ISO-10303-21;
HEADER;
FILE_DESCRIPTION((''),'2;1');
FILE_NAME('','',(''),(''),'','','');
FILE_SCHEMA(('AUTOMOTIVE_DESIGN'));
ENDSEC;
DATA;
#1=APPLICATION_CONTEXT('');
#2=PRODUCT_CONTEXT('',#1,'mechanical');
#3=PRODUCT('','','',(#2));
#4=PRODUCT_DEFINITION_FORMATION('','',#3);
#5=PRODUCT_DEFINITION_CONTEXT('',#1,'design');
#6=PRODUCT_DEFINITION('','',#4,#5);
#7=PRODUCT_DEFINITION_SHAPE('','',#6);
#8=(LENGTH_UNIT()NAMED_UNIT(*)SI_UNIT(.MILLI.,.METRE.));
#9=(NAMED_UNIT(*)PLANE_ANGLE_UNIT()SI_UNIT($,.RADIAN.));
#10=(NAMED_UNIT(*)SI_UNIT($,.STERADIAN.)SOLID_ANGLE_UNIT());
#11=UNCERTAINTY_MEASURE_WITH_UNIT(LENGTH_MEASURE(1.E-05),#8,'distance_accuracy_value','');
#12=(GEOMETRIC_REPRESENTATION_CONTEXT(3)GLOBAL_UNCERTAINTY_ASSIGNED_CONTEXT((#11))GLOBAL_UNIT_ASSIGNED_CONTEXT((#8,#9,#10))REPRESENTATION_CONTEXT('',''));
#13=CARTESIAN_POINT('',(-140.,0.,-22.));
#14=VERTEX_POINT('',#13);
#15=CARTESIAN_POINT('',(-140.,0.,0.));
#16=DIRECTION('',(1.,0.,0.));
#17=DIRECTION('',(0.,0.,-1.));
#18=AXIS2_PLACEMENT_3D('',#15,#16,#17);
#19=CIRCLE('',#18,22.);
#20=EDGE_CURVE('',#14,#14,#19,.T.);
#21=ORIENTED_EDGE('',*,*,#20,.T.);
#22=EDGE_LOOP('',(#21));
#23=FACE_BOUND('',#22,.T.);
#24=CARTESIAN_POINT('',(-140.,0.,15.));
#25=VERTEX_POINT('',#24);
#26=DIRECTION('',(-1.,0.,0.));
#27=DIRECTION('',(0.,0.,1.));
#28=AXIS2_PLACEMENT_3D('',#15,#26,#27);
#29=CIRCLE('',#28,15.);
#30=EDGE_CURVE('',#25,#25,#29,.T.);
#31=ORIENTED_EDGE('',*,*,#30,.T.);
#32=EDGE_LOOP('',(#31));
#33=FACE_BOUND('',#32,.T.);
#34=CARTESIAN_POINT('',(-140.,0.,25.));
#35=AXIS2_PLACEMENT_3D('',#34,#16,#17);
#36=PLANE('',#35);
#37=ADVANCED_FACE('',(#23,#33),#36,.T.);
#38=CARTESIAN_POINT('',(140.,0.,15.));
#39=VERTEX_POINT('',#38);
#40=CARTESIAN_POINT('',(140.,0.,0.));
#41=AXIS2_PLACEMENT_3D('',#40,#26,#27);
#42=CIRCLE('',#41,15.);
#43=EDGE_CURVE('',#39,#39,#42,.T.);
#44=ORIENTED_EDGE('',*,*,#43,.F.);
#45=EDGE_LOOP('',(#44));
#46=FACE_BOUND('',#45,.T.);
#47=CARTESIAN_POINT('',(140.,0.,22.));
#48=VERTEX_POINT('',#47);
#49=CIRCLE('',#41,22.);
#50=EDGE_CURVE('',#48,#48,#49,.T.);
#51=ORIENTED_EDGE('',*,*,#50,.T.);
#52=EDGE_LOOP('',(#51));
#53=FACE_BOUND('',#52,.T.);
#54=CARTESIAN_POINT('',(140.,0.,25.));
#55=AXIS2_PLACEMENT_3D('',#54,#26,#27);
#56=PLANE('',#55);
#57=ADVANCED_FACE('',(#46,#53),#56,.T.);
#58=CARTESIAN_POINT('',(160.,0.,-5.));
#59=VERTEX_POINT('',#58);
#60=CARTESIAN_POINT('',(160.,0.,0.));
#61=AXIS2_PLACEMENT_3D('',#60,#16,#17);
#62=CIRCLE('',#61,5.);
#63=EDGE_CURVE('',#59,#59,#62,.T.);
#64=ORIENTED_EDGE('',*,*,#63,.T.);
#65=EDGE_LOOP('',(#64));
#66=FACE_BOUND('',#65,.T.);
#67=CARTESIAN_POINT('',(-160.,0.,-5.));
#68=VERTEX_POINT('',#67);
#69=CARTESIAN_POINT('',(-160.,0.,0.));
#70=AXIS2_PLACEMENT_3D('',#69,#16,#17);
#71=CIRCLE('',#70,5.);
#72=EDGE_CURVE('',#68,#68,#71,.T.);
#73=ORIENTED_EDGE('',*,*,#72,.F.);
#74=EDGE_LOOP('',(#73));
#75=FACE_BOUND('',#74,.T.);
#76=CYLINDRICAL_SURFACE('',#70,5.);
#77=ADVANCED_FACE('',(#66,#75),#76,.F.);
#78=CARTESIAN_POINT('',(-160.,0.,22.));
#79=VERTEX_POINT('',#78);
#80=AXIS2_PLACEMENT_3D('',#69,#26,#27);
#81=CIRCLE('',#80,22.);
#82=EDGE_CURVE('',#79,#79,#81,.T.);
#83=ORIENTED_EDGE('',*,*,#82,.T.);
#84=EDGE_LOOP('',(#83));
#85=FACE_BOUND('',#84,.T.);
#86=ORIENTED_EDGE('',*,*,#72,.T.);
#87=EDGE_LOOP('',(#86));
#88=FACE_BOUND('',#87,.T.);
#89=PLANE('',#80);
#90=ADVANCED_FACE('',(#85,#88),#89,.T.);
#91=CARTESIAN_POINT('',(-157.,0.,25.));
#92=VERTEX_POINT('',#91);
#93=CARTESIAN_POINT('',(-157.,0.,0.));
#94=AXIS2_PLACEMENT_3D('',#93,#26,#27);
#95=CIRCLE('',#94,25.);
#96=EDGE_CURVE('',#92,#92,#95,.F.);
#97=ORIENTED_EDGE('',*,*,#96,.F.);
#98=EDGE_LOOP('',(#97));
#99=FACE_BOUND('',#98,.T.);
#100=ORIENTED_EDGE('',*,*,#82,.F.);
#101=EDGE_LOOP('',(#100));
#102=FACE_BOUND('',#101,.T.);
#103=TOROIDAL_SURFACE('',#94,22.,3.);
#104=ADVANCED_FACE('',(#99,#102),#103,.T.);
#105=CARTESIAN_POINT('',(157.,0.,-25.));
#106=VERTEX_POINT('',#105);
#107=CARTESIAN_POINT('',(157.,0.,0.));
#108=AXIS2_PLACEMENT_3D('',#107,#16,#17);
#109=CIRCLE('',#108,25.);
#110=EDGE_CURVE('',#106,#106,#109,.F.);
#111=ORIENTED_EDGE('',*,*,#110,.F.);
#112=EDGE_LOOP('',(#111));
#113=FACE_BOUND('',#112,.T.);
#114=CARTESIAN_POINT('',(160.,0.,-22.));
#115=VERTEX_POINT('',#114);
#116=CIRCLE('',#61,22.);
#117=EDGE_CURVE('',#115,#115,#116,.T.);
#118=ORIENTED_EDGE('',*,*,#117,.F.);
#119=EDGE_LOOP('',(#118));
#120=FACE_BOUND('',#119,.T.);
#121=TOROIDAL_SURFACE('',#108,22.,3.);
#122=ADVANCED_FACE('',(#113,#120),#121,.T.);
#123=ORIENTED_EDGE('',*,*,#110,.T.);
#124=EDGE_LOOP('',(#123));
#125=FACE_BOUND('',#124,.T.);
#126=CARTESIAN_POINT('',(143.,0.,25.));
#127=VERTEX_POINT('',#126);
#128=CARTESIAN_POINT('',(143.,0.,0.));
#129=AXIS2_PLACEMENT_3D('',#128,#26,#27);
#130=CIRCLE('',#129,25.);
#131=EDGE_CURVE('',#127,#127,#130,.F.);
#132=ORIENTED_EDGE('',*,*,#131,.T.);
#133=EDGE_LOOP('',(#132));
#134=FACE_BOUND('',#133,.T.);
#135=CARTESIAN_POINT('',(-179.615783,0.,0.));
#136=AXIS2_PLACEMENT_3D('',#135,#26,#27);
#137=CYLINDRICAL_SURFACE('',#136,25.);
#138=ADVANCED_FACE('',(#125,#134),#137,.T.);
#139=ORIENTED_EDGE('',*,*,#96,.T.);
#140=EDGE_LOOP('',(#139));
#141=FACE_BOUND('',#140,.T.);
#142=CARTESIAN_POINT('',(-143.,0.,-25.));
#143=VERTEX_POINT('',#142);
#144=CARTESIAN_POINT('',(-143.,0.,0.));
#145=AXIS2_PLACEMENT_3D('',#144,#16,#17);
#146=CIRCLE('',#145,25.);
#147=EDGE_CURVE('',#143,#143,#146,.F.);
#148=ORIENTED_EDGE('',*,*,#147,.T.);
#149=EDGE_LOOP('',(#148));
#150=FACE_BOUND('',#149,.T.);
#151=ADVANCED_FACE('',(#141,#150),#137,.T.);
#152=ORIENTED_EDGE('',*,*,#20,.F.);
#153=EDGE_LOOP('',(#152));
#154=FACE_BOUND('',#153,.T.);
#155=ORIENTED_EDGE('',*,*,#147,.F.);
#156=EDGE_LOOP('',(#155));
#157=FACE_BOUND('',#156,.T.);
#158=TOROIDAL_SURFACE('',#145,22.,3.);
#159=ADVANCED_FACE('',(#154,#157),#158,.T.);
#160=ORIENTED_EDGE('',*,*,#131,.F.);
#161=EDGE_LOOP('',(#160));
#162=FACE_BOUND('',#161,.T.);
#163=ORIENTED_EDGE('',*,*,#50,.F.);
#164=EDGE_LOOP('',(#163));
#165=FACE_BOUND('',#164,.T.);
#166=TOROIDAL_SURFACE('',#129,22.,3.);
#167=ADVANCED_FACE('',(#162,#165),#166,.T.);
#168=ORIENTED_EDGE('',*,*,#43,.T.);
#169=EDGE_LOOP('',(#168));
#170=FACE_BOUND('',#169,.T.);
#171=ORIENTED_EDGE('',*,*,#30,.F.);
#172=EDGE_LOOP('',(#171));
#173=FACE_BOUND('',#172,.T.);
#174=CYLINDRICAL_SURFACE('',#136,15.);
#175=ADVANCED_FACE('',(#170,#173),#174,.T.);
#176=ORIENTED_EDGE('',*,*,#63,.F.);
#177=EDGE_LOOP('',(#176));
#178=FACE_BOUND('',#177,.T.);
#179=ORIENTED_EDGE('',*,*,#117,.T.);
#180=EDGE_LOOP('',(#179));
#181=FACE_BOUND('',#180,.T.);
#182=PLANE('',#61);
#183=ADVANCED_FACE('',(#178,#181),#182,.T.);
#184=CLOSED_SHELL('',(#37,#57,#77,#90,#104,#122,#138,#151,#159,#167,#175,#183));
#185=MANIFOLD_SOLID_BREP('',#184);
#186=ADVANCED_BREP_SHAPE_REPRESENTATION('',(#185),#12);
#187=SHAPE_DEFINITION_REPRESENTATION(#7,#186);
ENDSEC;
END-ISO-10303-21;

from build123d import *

# Parameters (mm, degrees)
FILLET1_R          = 3
SKETCH3_R          = 5
CUT_EXTRUDE1_DEPTH = 322.947200755


with BuildPart() as part:
    # Sketch2 → Revolve1 (revolve)
    with BuildSketch(Plane(origin=(0, 0, 0), x_dir=(1, 0, 0), z_dir=(0, 1, 0))):
        Polygon((-160, 0), (160, 0), (160, -25), (140, -25), (140, -15), (-140, -15), (-140, -25), (-160, -25), align=None)
    revolve(axis=Axis((-179.615783414, 0, 0), (1, 0, 0)))

    # Fillet1
    fillet1_edges = [part.edges().sort_by_distance(p)[0] for p in [
        (140, 0, -25),
        (160, 0, -25),
        (-160, 0, -25),
        (-140, 0, -25),
    ]]
    fillet(fillet1_edges, radius=FILLET1_R)

    # Sketch3 → Cut-Extrude1 (cut, through all)
    with BuildSketch(Plane(origin=(160, 0, 0), x_dir=(0, 0, -1), z_dir=(1, 0, 0))):
        Circle(SKETCH3_R)
    extrude(amount=-CUT_EXTRUDE1_DEPTH, mode=Mode.SUBTRACT)


solid = part.part
